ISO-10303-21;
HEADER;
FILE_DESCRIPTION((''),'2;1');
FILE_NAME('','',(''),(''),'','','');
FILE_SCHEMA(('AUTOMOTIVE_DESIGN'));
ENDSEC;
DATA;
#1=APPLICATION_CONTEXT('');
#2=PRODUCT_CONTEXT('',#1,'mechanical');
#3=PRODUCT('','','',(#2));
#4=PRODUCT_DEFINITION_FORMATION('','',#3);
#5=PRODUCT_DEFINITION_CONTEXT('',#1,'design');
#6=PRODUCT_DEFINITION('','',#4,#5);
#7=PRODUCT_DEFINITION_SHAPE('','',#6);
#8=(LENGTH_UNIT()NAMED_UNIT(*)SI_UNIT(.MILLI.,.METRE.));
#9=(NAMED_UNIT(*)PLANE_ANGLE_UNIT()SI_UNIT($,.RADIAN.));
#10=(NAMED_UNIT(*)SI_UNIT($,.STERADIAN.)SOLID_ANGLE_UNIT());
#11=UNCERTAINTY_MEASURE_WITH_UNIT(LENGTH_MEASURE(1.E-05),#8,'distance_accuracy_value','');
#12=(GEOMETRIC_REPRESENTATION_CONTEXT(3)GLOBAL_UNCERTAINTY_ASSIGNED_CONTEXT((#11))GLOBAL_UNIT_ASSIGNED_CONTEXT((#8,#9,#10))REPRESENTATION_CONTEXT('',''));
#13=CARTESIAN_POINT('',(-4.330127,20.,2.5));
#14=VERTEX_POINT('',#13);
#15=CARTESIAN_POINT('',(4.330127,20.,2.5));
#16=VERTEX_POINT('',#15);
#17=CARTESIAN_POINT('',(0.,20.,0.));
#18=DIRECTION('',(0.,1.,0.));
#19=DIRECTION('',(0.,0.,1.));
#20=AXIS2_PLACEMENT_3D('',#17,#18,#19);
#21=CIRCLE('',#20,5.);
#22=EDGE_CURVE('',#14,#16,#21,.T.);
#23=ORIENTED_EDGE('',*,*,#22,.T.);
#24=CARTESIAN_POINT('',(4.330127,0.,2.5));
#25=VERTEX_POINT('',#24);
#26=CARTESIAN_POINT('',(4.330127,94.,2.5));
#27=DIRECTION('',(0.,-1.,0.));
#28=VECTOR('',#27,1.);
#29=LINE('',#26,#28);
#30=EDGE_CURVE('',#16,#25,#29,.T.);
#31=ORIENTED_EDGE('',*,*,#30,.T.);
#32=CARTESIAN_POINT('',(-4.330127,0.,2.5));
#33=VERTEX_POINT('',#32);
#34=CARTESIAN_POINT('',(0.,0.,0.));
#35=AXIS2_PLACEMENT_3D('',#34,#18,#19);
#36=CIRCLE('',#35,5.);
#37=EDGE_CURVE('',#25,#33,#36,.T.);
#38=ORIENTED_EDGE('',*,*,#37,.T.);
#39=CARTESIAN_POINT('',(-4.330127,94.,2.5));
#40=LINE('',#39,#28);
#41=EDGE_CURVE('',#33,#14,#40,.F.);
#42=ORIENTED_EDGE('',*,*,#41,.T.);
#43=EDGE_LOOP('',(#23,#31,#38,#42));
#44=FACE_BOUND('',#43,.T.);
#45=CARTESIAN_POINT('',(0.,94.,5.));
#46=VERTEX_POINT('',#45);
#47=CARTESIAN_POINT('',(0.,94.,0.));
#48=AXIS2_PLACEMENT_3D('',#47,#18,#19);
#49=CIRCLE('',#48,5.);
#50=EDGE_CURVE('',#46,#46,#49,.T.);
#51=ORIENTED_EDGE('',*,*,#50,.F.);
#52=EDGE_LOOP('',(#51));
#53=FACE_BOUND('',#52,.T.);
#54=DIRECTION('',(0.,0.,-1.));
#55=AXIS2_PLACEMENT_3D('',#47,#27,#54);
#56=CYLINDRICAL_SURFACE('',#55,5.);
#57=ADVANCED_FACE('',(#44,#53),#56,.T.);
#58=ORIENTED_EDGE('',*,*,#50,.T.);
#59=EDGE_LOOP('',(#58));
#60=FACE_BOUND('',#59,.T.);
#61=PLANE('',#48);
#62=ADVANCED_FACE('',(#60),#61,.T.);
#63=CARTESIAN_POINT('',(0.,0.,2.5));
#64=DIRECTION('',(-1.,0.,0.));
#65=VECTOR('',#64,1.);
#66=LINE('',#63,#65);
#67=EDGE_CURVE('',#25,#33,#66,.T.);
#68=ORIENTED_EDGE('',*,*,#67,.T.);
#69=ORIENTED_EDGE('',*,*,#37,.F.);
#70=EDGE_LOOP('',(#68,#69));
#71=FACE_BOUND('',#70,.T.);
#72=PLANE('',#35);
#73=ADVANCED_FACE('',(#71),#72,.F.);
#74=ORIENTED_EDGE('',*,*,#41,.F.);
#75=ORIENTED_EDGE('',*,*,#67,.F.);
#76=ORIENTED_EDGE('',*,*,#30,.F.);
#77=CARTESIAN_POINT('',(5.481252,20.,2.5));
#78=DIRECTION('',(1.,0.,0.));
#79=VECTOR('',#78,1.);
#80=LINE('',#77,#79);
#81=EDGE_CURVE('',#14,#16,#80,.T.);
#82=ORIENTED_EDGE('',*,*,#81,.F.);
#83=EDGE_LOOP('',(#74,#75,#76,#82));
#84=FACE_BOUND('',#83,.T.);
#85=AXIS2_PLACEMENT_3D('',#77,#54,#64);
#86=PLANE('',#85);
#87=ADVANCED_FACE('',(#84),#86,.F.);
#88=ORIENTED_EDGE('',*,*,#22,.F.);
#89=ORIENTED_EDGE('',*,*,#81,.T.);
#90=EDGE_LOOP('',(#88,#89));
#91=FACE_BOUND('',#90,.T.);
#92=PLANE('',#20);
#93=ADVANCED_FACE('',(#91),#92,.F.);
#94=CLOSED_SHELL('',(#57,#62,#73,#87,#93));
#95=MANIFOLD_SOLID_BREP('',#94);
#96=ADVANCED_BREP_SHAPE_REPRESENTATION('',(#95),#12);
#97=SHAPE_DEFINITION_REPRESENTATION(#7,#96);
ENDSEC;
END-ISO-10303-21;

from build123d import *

# Parameters (mm, degrees)
SZKIC1_R                    = 5
DODANIE_WYCI_GNI_CIE1_DEPTH = 94
SZKIC2_W                    = 10.9625046
SZKIC2_H                    = 5
WYTNIJ_WYCI_GNI_CIE1_DEPTH  = 20


with BuildPart() as part:
    # Szkic1 → Dodanie-wyciągnięcie1 (new body)
    with BuildSketch(Plane(origin=(0, 0, 0), x_dir=(1, 0, 0), z_dir=(0, 1, 0))):
        with Locations(Location((0, 0, 0), (0, 0, 270))):
            Circle(SZKIC1_R)
    extrude(amount=DODANIE_WYCI_GNI_CIE1_DEPTH)

    # Szkic2 → Wytnij-wyciągnięcie1 (cut)
    with BuildSketch(Plane.XZ):
        with Locations((0, 5)):
            Rectangle(SZKIC2_W, SZKIC2_H)
    extrude(amount=-WYTNIJ_WYCI_GNI_CIE1_DEPTH, mode=Mode.SUBTRACT)


solid = part.part
